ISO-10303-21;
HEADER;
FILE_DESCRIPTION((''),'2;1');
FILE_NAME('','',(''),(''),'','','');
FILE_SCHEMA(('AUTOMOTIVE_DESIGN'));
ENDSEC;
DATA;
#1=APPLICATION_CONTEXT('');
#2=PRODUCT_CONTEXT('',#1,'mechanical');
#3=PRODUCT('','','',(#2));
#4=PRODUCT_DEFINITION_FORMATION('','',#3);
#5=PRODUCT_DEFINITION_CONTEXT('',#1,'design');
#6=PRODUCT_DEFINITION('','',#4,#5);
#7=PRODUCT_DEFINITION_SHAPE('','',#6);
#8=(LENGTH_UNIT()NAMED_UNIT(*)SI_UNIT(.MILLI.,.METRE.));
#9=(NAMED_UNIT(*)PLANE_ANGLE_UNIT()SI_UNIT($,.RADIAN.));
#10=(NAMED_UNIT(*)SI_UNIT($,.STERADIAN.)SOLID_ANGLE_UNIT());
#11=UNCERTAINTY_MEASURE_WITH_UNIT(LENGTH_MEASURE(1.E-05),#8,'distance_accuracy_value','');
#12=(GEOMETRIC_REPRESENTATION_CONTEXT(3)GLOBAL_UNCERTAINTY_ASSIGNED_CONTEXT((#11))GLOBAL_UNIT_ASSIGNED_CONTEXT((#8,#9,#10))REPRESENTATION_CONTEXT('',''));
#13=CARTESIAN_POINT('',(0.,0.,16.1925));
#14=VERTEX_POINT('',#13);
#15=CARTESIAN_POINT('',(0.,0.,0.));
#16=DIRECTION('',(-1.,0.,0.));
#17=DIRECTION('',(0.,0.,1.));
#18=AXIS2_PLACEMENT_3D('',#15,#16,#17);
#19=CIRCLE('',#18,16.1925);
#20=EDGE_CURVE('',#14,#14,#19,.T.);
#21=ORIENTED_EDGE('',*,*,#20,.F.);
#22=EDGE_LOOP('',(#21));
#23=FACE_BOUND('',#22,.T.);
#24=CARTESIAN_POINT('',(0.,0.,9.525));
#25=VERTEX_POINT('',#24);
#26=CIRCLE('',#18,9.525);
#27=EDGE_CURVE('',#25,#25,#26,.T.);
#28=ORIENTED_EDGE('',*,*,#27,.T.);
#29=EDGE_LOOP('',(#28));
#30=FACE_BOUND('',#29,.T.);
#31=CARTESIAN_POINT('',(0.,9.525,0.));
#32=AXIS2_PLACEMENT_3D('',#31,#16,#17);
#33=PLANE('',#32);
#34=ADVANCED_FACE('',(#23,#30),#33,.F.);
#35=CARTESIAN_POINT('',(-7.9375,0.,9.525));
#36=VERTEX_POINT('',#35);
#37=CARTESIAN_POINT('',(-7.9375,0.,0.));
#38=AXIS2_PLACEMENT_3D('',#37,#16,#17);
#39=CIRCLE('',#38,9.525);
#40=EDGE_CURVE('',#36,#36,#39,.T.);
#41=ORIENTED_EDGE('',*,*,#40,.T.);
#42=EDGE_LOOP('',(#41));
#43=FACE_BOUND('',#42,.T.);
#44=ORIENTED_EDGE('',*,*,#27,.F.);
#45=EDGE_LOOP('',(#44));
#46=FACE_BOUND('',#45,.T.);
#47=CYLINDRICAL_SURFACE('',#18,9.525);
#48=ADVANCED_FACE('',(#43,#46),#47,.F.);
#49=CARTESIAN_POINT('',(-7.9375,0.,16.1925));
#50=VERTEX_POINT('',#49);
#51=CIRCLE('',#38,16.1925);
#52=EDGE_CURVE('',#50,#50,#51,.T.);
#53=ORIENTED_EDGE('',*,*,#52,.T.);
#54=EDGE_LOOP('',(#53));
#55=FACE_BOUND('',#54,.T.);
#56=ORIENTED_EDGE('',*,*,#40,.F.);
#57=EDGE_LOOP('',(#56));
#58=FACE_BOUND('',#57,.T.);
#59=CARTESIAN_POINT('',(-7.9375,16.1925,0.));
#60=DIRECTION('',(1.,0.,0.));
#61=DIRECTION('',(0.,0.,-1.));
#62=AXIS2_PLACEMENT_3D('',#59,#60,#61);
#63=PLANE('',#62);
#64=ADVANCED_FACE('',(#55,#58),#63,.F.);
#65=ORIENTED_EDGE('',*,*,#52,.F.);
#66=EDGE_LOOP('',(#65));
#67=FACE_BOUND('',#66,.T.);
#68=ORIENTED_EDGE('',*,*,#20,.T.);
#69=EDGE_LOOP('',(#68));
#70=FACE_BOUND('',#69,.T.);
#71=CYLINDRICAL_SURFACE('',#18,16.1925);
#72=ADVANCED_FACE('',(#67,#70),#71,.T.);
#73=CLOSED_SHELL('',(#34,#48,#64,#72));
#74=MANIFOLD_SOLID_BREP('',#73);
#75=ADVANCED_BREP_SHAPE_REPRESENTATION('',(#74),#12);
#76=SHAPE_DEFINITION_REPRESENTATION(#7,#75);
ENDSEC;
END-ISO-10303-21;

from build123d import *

# Parameters (mm, degrees)
ESBO_O1_W = 7.9375
ESBO_O1_H = 6.6675


with BuildPart() as part:
    # Esboço1 → Revolução1 (revolve)
    with BuildSketch(Plane.XY):
        with Locations((-3.96875, 12.85875)):
            Rectangle(ESBO_O1_W, ESBO_O1_H)
    revolve(axis=Axis((0, 0, 0), (-1, 0, 0)))


solid = part.part
